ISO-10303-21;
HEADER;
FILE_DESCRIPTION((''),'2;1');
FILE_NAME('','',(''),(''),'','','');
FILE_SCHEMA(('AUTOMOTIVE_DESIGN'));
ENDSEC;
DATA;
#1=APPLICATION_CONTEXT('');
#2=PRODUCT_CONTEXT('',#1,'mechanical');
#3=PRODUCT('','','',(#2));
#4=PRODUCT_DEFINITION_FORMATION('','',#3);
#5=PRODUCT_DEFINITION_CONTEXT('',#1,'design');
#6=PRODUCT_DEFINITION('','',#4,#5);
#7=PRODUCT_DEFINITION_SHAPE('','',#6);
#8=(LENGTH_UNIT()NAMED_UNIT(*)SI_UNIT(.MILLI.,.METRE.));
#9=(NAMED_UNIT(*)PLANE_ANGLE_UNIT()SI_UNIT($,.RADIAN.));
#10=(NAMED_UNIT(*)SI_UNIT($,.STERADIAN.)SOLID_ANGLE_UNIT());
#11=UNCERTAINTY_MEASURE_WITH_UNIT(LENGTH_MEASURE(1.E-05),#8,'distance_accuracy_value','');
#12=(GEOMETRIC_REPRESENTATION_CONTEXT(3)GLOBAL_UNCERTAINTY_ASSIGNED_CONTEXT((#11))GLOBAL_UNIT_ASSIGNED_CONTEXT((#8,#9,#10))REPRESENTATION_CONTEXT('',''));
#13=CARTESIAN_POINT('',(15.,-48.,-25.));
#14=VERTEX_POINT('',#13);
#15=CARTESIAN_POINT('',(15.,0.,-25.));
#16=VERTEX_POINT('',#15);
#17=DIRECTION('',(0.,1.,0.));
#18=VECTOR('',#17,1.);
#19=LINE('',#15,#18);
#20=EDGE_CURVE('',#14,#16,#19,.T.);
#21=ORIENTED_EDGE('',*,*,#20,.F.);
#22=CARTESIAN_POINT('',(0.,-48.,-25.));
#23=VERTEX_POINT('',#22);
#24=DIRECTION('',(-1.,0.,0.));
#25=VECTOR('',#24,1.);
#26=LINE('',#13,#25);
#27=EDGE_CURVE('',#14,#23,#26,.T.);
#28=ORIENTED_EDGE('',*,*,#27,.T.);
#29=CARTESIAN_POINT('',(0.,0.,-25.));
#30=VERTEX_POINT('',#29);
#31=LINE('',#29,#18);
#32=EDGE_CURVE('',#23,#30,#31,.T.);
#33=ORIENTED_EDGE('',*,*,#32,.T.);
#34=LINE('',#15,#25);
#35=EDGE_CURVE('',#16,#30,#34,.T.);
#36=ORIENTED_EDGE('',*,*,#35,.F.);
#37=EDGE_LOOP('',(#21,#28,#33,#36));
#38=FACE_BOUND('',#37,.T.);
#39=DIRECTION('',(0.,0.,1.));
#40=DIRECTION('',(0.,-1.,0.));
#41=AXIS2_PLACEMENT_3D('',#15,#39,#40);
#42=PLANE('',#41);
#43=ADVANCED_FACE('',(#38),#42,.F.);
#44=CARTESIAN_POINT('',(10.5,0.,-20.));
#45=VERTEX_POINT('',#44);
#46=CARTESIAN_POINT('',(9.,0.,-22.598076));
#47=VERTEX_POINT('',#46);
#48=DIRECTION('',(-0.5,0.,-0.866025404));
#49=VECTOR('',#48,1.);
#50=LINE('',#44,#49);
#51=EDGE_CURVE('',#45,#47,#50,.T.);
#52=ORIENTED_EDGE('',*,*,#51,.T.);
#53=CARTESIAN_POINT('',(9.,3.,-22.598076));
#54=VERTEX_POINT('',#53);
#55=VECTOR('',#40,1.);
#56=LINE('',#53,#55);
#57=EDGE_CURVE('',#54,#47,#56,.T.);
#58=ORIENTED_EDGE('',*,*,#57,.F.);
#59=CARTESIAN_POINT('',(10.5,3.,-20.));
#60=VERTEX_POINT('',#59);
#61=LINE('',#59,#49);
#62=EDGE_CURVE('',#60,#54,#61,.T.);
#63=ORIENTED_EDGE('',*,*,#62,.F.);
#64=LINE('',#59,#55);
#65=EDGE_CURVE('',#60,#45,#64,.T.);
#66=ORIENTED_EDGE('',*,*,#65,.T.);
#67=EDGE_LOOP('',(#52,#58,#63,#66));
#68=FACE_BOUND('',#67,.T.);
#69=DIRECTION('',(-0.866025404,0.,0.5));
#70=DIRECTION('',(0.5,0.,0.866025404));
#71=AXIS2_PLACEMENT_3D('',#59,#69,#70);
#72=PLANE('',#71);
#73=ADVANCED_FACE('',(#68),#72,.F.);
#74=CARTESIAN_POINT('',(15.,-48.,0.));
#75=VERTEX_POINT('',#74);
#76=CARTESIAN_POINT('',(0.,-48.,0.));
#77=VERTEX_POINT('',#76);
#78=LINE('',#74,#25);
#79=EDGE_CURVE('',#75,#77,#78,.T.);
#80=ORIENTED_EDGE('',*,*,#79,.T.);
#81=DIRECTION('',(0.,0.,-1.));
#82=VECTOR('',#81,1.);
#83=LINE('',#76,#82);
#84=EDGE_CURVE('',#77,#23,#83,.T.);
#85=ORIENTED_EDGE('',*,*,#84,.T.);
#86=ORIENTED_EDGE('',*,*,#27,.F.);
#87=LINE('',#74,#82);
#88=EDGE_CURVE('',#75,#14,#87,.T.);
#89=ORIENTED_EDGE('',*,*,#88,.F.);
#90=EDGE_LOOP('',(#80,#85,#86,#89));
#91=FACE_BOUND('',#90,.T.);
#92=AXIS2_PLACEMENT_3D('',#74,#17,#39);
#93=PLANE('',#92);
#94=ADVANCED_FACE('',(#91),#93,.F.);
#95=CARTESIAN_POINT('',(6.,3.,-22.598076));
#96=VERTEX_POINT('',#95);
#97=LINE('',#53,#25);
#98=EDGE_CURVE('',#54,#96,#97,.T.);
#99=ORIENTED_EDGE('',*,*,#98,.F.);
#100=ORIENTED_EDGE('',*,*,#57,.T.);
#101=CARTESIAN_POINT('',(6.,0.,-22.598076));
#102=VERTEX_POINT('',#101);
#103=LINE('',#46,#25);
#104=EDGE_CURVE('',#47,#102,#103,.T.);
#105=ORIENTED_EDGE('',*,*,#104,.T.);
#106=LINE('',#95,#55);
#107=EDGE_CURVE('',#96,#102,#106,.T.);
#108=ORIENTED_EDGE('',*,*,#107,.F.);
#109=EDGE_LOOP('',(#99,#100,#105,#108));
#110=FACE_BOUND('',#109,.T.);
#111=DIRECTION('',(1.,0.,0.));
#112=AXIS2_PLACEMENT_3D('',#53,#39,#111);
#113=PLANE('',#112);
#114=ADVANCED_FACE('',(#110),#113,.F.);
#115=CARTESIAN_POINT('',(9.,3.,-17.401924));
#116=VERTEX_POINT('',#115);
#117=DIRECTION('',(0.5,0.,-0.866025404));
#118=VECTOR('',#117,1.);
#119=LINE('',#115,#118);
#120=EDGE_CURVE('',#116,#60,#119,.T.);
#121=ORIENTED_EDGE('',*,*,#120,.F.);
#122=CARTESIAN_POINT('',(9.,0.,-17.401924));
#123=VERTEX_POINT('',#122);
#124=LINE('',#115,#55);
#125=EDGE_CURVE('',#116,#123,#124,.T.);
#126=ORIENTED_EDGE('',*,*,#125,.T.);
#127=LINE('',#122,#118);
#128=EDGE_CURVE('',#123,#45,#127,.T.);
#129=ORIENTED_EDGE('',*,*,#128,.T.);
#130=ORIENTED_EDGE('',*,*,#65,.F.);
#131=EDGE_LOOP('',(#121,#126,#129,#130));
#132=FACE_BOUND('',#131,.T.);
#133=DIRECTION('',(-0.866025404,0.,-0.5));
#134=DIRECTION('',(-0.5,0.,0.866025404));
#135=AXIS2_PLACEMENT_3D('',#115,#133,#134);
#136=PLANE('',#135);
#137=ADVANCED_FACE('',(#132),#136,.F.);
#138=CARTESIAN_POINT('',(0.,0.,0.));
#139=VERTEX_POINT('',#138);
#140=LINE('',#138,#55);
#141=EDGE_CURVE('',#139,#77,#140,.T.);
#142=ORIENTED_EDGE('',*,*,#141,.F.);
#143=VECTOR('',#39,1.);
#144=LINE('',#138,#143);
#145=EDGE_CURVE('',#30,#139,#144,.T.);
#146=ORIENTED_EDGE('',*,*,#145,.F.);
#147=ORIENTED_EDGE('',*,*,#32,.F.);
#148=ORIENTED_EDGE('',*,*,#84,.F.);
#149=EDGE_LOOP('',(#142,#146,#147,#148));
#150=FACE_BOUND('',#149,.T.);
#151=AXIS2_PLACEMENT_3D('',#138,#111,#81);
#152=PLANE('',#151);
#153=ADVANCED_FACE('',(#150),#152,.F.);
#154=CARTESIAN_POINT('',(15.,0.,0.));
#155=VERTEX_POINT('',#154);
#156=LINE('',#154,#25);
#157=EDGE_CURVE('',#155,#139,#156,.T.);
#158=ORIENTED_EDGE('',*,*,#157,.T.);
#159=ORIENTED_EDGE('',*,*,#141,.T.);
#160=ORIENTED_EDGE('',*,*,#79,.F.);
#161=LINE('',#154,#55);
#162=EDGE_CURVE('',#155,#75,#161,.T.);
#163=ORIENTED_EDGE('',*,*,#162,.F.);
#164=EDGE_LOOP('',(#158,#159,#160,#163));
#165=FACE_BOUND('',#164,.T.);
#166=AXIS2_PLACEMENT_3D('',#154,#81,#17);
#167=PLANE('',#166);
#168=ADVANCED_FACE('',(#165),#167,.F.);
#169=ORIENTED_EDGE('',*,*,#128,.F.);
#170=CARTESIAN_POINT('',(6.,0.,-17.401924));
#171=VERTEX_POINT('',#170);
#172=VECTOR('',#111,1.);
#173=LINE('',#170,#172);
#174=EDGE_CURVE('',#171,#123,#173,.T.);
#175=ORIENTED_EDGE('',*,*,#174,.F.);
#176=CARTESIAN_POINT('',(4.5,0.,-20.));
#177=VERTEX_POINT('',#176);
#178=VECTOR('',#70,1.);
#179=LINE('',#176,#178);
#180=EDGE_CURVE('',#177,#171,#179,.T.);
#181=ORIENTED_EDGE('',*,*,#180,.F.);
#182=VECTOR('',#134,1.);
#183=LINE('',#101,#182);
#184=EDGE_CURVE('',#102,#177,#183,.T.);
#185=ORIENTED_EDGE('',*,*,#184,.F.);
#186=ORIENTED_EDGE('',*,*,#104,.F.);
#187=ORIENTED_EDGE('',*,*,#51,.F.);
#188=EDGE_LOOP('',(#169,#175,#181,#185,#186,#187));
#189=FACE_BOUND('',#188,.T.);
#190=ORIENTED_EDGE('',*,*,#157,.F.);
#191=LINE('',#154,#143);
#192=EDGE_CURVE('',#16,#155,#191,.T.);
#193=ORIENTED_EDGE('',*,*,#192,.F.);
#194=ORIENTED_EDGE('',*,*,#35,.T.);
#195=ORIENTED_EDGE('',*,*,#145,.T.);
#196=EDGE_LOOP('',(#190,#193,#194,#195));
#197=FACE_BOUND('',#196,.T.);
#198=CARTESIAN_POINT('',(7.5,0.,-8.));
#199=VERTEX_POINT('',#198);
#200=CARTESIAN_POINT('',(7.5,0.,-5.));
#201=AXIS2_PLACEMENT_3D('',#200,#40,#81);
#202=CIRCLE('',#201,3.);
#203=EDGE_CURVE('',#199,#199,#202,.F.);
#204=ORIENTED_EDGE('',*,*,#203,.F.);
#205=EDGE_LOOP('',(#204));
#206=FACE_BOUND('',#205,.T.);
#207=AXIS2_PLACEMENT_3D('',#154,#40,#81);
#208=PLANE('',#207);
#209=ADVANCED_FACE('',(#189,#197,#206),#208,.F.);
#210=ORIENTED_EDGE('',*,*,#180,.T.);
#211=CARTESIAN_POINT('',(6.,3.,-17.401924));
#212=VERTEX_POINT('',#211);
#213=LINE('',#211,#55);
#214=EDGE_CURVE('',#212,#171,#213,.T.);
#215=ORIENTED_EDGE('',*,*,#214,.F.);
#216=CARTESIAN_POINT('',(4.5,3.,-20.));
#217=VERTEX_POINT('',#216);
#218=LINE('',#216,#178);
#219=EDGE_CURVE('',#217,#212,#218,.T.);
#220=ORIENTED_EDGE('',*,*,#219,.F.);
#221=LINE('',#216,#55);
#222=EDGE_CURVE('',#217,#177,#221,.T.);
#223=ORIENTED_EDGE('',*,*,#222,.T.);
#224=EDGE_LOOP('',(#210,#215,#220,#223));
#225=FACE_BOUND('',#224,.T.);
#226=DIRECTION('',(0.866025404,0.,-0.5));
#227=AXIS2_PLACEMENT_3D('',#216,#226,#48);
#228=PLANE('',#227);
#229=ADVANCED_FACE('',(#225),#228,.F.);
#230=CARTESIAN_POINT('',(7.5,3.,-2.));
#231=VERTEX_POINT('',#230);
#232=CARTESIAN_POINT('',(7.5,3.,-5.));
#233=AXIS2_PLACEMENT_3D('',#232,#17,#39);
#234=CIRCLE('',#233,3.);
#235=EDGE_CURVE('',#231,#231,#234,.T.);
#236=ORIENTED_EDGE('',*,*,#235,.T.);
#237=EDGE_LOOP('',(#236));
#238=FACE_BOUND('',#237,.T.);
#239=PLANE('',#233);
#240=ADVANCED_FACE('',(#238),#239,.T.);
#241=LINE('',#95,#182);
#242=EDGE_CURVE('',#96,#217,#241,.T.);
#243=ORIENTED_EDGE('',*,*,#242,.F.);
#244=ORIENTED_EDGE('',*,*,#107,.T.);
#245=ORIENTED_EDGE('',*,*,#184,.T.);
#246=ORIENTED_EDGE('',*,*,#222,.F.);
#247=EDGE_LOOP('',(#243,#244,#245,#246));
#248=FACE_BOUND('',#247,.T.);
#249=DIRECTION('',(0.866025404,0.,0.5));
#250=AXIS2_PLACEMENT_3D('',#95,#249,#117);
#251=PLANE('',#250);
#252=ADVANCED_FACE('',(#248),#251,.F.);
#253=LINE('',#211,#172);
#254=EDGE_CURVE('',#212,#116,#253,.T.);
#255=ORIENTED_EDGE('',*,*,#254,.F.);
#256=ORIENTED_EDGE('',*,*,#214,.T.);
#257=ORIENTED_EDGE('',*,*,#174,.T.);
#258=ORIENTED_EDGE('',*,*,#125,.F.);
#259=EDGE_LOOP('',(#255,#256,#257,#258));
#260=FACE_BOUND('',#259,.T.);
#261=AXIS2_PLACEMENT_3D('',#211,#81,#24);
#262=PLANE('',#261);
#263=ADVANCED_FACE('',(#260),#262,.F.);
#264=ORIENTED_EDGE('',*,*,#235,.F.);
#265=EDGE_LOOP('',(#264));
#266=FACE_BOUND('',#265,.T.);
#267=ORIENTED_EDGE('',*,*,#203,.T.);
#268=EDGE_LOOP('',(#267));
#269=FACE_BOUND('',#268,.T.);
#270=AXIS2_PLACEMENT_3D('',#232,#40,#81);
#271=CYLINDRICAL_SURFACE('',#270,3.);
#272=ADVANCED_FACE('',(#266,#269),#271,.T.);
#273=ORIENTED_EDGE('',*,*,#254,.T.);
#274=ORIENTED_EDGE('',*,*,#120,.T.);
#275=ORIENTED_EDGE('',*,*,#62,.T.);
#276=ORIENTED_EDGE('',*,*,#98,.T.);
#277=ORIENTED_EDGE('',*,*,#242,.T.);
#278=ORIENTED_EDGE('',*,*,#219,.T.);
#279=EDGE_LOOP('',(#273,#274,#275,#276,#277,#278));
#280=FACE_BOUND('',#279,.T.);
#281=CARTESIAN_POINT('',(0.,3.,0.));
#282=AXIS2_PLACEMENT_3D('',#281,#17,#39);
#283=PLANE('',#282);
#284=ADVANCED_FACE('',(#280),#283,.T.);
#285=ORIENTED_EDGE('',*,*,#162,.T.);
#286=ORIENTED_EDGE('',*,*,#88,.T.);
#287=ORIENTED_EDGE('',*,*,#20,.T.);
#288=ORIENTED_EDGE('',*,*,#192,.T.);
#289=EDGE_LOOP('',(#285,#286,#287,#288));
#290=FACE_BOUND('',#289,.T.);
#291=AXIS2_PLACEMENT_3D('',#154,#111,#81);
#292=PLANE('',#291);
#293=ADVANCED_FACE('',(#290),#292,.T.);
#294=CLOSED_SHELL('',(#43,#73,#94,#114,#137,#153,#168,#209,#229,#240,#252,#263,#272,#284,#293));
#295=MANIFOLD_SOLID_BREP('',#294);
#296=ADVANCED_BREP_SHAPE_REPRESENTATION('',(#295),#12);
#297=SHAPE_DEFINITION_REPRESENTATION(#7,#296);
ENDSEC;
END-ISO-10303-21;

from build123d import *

# Parameters (mm, degrees)
SKETCH1_W           = 25
SKETCH1_H           = 48
BOSS_EXTRUDE1_DEPTH = 15
SKETCH2_R           = 3
BOSS_EXTRUDE2_DEPTH = 3


with BuildPart() as part:
    # Sketch1 → Boss-Extrude1 (new body)
    with BuildSketch(Plane(origin=(0, 0, 0), x_dir=(0, 0, -1), z_dir=(1, 0, 0))):
        with Locations((12.5, -24)):
            Rectangle(SKETCH1_W, SKETCH1_H)
    extrude(amount=BOSS_EXTRUDE1_DEPTH)

    # Sketch2 → Boss-Extrude2 (add)
    with BuildSketch(Plane(origin=(0, 0, 0), x_dir=(1, 0, 0), z_dir=(0, 1, 0))):
        with Locations(Location((7.5, 5, 0), (0, 0, 90))):
            Circle(SKETCH2_R)
        Polygon((4.5, 20), (6, 17.401923789), (9, 17.401923789), (10.5, 20), (9, 22.598076211), (6, 22.598076211), align=None)
    extrude(amount=BOSS_EXTRUDE2_DEPTH)


solid = part.part
